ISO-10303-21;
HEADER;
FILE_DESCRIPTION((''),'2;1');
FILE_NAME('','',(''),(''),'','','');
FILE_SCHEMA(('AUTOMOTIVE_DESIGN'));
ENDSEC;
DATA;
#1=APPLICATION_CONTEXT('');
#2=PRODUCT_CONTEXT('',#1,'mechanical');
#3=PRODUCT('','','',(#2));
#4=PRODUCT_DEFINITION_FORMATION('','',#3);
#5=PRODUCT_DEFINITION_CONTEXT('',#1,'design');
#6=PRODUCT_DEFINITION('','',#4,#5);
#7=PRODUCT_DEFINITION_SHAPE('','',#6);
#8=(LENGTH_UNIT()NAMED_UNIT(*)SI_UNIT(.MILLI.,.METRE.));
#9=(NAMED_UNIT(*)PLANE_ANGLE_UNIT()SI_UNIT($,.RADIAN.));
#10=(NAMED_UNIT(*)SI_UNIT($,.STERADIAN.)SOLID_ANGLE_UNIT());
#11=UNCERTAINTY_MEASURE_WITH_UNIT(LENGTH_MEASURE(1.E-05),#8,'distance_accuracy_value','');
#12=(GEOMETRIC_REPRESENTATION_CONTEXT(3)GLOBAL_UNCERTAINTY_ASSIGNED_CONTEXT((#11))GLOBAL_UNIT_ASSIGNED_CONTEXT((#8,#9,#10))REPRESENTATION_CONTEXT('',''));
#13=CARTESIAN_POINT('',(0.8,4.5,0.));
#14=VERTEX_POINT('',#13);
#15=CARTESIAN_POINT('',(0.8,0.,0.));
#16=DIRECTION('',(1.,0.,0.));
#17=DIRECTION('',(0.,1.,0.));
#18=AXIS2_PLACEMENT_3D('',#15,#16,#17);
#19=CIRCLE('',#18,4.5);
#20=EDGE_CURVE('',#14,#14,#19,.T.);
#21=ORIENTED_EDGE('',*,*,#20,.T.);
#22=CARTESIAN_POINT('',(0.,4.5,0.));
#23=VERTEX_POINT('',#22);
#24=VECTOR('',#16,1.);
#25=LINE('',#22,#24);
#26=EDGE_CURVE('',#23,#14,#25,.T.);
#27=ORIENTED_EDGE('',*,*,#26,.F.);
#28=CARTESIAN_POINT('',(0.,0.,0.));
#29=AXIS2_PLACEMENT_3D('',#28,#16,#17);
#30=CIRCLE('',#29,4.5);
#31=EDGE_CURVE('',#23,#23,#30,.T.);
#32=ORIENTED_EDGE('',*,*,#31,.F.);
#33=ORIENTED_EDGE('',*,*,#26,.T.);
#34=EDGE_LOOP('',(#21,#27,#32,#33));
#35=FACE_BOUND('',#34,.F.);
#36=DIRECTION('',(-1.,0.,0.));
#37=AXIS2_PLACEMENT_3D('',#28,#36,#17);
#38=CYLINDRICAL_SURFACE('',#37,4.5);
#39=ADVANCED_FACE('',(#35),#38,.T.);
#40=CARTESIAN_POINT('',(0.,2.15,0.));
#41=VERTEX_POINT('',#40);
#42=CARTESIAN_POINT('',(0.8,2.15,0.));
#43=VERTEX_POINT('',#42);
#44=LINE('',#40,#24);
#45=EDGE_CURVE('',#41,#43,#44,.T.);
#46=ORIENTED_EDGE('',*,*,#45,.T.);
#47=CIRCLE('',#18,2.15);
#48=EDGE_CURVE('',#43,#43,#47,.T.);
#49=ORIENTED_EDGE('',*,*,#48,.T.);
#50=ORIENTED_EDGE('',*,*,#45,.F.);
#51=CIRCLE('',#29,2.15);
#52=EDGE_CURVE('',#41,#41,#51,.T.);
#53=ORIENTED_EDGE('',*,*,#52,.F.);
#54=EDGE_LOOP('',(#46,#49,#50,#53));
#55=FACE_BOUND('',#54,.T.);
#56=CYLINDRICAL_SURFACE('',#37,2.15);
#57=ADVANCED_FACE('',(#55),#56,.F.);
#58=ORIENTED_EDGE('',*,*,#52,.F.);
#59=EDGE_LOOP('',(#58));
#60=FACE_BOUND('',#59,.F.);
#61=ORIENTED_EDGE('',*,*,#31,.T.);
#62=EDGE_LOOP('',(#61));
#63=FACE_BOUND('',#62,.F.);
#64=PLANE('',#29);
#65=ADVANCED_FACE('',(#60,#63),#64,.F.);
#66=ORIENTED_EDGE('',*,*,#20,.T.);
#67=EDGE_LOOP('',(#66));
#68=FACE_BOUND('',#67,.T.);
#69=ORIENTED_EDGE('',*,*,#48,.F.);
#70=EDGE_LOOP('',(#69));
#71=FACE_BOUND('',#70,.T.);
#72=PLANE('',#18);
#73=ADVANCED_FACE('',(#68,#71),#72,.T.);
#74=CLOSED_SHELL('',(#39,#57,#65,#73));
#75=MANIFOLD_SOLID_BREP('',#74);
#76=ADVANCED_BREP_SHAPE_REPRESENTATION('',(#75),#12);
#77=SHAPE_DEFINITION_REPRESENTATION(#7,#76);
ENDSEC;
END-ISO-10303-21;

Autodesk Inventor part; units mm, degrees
ref_plane "YZ Plane" through (0, 0, 0) normal (1, 0, 0) x (0, 1, 0)
ref_plane "XZ Plane" through (0, 0, 0) normal (0, 1, 0) x (-1, 0, 0)
sketch "Boceto" plane through (0, 0, 0) normal (1, 0, 0) x (0, 1, 0)
  circle A0 centre (0, 0) radius 4.5
  circle A1 centre (0, 0) radius 2.15
  dimension "d0" = 4.3
  dimension "d1" = 9
extrude "Cuerpo" add sketch "Boceto" along normal blind 0.8
ref_plane "Work Plane1" through (0, 0, 0) normal (0, 0, 1) x (1, 0, 0)
equation "\"d0\" = SD1"
equation "\"d1\" = SD2"
equation "\"d2\" = SD"
equation "\"SD1\" = 4.3"
equation "\"SD2\" = 9"
equation "\"SD\" = 0.8"
equation "\"NND\" = 4"
properties part number "ISO 7089 - 4" material "Acero inoxidable"
